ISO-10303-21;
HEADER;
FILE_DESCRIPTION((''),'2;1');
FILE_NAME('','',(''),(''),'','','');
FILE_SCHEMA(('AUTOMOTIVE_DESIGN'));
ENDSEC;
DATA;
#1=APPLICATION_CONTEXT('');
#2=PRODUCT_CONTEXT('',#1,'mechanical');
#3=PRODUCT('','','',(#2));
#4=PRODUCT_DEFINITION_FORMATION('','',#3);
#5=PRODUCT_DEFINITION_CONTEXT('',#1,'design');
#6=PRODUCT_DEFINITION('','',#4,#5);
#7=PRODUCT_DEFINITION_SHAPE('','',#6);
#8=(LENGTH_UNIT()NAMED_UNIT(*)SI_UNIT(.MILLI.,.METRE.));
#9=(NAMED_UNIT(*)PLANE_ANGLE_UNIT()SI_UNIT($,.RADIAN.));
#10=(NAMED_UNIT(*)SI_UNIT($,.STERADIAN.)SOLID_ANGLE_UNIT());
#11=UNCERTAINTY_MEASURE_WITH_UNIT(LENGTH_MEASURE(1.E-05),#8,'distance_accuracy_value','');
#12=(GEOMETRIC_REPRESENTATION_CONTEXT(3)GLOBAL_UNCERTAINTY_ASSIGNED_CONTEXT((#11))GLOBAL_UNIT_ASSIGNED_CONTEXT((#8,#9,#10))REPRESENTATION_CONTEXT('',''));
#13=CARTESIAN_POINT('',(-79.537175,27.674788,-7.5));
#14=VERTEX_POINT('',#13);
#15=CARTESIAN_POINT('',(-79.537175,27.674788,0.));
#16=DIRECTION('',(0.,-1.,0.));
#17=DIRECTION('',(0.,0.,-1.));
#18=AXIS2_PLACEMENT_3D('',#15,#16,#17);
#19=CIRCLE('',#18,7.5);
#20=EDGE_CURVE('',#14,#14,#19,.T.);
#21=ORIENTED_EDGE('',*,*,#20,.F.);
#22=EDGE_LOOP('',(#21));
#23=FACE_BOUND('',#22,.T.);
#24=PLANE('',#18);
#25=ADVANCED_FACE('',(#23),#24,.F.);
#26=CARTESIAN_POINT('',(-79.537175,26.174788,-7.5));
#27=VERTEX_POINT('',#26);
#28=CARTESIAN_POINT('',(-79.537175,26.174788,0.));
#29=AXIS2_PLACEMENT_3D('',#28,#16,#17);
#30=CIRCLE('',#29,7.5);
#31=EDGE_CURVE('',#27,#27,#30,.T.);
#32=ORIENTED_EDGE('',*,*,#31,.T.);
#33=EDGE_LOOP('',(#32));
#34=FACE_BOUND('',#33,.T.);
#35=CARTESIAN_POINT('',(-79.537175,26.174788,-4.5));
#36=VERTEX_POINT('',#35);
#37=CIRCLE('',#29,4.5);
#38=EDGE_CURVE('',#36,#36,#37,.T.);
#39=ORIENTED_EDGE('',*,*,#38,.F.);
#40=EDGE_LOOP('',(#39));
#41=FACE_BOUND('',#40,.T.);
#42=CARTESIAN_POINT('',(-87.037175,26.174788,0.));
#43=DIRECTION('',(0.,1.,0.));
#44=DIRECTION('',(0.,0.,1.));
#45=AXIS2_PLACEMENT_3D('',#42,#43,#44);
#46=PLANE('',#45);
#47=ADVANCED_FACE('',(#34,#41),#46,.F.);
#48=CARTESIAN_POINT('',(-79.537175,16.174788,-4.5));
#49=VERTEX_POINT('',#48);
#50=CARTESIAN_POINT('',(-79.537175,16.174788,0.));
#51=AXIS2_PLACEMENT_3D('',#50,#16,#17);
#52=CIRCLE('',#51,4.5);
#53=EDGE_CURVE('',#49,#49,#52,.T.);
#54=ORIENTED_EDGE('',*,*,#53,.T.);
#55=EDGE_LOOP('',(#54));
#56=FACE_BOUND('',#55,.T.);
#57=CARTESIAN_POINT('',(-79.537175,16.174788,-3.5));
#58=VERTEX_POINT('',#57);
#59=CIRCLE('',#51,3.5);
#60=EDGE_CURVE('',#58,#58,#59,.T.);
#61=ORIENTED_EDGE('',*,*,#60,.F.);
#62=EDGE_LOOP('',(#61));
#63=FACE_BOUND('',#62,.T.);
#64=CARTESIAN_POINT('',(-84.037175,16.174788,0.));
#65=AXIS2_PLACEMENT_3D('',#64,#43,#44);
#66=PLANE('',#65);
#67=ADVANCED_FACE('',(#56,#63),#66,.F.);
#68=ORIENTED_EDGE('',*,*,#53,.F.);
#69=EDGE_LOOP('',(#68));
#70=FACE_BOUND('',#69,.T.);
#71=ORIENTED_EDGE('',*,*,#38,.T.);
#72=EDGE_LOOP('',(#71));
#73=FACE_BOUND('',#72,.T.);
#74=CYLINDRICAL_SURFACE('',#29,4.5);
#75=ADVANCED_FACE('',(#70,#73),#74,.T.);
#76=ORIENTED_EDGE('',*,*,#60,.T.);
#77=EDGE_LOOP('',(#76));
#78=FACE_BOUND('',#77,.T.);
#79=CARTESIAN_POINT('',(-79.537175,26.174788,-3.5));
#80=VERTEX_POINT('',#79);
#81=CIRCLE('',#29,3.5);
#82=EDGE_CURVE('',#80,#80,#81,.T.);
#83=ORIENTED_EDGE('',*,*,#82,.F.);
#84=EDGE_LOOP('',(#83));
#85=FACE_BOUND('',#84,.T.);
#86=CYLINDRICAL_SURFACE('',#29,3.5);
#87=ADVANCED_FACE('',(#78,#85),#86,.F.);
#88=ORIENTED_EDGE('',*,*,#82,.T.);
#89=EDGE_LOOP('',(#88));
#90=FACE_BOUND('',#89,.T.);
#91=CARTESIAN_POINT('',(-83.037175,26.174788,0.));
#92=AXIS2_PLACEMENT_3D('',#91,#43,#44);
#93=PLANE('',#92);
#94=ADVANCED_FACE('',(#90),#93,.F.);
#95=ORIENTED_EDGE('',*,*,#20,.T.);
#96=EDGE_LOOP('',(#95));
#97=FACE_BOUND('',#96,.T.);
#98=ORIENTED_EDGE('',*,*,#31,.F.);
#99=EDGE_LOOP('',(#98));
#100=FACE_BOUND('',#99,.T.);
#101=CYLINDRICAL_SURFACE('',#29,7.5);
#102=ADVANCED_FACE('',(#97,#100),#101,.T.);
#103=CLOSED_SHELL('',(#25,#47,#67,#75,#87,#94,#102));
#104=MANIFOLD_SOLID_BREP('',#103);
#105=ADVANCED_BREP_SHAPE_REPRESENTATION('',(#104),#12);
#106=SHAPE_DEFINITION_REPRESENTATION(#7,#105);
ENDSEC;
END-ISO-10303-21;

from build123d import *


with BuildPart() as part:
    # Croquis1 → Revolución1 (revolve)
    with BuildSketch(Plane.XY):
        Polygon((-79.537175428, 27.674787776), (-87.037175428, 27.674787776), (-87.037175428, 26.174787776), (-84.037175428, 26.174787776), (-84.037175428, 16.174787776), (-83.037175428, 16.174787776), (-83.037175428, 26.174787776), (-79.537175428, 26.174787776), align=None)
    revolve(axis=Axis((-79.537175428, 26.174787776, 0), (0, 1, 0)))


solid = part.part
